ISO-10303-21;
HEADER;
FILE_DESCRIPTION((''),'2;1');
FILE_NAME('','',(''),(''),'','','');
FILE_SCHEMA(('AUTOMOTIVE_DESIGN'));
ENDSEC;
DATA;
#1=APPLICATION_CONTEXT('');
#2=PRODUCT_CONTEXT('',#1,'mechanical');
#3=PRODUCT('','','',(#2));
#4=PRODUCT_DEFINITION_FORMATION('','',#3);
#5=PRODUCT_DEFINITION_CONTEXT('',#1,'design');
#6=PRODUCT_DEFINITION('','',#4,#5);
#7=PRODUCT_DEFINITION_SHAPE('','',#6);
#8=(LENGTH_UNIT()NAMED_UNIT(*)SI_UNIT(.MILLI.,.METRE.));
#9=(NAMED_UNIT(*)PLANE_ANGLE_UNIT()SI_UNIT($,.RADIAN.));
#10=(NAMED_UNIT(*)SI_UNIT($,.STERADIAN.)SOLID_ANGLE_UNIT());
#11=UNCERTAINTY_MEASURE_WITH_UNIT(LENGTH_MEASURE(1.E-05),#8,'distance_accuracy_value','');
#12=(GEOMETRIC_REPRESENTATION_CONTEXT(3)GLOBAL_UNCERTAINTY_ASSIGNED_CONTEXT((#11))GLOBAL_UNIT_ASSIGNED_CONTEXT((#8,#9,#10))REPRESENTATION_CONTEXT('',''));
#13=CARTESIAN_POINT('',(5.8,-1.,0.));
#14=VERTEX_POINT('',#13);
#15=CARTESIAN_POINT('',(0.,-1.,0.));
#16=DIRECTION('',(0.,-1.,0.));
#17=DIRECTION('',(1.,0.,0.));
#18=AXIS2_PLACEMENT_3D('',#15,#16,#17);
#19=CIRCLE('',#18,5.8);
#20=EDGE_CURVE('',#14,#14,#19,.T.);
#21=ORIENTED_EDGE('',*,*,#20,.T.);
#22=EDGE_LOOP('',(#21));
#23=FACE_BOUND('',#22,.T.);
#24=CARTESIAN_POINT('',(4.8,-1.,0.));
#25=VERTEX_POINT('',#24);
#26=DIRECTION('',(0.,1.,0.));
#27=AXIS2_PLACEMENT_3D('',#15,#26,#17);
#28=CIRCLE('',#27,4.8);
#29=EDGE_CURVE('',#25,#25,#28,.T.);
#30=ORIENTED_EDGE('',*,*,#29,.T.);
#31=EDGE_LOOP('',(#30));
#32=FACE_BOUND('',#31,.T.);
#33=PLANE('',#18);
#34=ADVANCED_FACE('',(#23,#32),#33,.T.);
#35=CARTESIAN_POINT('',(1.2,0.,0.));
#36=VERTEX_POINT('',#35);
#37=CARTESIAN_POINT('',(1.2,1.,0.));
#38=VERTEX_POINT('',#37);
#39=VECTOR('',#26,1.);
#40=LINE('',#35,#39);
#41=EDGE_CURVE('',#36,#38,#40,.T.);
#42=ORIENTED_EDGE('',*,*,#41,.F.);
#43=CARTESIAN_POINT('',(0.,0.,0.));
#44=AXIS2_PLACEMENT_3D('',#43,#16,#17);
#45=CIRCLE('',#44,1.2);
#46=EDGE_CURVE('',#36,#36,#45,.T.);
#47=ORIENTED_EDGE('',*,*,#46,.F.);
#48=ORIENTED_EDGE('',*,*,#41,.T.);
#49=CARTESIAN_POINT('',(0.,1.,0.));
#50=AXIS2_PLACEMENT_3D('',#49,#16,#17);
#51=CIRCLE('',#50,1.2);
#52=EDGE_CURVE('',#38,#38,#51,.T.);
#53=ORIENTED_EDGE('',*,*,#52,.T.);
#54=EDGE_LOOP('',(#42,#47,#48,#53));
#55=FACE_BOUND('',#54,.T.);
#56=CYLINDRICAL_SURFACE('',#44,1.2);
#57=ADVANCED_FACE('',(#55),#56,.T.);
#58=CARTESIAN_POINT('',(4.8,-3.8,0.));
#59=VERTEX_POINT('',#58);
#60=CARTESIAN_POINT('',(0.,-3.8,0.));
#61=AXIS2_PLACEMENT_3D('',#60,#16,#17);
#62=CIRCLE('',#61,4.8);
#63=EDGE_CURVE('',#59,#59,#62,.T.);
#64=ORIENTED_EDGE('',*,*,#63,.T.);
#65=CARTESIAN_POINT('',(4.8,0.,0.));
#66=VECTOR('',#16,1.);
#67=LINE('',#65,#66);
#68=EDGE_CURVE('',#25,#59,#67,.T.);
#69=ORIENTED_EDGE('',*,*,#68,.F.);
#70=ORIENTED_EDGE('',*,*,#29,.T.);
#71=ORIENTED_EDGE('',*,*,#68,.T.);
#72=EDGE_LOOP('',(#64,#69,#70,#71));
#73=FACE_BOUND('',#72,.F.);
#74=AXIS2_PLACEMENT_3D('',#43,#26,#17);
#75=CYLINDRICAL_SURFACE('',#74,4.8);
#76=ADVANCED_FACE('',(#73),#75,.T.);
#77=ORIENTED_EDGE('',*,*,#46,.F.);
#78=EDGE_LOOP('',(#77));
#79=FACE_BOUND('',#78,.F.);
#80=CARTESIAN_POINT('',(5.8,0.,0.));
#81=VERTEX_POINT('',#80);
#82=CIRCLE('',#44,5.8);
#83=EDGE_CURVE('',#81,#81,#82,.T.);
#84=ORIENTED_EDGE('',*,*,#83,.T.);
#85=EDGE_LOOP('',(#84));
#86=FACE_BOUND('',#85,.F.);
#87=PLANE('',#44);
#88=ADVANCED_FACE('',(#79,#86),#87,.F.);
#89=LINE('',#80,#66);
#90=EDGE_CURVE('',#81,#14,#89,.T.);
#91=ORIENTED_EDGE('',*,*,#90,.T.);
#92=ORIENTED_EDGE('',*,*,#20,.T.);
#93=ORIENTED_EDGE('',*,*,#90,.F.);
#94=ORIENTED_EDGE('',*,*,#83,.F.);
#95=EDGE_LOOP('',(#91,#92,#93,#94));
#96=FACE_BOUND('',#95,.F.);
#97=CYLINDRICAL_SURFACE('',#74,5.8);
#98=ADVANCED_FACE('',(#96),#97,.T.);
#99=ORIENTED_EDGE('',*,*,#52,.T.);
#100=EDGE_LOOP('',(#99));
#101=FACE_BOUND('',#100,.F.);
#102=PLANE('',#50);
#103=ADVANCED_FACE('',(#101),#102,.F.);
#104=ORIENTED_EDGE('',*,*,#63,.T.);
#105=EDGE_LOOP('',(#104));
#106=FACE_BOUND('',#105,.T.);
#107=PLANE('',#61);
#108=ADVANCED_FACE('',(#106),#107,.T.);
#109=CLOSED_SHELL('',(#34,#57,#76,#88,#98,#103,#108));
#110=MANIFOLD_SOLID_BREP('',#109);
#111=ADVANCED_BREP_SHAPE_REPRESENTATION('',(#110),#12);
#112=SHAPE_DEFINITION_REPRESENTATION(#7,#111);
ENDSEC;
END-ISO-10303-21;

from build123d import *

# Parameters (mm, degrees)
F0_R     = 5.8
F0_R_2   = 4.8
F1_DEPTH = 1
F2_DEPTH = 3.8
F3_R     = 1.2
F4_DEPTH = 1


with BuildPart() as f1:
    # F0 (on Front) → F1 (new body)
    with BuildSketch(Plane.XZ):
        Circle(F0_R)
        Circle(F0_R_2, mode=Mode.SUBTRACT)
        Circle(F0_R_2)
    extrude(amount=F1_DEPTH)

    # F0 (on Front) → F2 (join)
    with BuildSketch(Plane.XZ):
        Circle(F0_R_2)
    extrude(amount=F2_DEPTH)

    # F3 (on face) → F4 (join)
    with BuildSketch(Plane.XZ):
        Circle(F3_R)
    extrude(amount=-F4_DEPTH)


solid = f1.part
